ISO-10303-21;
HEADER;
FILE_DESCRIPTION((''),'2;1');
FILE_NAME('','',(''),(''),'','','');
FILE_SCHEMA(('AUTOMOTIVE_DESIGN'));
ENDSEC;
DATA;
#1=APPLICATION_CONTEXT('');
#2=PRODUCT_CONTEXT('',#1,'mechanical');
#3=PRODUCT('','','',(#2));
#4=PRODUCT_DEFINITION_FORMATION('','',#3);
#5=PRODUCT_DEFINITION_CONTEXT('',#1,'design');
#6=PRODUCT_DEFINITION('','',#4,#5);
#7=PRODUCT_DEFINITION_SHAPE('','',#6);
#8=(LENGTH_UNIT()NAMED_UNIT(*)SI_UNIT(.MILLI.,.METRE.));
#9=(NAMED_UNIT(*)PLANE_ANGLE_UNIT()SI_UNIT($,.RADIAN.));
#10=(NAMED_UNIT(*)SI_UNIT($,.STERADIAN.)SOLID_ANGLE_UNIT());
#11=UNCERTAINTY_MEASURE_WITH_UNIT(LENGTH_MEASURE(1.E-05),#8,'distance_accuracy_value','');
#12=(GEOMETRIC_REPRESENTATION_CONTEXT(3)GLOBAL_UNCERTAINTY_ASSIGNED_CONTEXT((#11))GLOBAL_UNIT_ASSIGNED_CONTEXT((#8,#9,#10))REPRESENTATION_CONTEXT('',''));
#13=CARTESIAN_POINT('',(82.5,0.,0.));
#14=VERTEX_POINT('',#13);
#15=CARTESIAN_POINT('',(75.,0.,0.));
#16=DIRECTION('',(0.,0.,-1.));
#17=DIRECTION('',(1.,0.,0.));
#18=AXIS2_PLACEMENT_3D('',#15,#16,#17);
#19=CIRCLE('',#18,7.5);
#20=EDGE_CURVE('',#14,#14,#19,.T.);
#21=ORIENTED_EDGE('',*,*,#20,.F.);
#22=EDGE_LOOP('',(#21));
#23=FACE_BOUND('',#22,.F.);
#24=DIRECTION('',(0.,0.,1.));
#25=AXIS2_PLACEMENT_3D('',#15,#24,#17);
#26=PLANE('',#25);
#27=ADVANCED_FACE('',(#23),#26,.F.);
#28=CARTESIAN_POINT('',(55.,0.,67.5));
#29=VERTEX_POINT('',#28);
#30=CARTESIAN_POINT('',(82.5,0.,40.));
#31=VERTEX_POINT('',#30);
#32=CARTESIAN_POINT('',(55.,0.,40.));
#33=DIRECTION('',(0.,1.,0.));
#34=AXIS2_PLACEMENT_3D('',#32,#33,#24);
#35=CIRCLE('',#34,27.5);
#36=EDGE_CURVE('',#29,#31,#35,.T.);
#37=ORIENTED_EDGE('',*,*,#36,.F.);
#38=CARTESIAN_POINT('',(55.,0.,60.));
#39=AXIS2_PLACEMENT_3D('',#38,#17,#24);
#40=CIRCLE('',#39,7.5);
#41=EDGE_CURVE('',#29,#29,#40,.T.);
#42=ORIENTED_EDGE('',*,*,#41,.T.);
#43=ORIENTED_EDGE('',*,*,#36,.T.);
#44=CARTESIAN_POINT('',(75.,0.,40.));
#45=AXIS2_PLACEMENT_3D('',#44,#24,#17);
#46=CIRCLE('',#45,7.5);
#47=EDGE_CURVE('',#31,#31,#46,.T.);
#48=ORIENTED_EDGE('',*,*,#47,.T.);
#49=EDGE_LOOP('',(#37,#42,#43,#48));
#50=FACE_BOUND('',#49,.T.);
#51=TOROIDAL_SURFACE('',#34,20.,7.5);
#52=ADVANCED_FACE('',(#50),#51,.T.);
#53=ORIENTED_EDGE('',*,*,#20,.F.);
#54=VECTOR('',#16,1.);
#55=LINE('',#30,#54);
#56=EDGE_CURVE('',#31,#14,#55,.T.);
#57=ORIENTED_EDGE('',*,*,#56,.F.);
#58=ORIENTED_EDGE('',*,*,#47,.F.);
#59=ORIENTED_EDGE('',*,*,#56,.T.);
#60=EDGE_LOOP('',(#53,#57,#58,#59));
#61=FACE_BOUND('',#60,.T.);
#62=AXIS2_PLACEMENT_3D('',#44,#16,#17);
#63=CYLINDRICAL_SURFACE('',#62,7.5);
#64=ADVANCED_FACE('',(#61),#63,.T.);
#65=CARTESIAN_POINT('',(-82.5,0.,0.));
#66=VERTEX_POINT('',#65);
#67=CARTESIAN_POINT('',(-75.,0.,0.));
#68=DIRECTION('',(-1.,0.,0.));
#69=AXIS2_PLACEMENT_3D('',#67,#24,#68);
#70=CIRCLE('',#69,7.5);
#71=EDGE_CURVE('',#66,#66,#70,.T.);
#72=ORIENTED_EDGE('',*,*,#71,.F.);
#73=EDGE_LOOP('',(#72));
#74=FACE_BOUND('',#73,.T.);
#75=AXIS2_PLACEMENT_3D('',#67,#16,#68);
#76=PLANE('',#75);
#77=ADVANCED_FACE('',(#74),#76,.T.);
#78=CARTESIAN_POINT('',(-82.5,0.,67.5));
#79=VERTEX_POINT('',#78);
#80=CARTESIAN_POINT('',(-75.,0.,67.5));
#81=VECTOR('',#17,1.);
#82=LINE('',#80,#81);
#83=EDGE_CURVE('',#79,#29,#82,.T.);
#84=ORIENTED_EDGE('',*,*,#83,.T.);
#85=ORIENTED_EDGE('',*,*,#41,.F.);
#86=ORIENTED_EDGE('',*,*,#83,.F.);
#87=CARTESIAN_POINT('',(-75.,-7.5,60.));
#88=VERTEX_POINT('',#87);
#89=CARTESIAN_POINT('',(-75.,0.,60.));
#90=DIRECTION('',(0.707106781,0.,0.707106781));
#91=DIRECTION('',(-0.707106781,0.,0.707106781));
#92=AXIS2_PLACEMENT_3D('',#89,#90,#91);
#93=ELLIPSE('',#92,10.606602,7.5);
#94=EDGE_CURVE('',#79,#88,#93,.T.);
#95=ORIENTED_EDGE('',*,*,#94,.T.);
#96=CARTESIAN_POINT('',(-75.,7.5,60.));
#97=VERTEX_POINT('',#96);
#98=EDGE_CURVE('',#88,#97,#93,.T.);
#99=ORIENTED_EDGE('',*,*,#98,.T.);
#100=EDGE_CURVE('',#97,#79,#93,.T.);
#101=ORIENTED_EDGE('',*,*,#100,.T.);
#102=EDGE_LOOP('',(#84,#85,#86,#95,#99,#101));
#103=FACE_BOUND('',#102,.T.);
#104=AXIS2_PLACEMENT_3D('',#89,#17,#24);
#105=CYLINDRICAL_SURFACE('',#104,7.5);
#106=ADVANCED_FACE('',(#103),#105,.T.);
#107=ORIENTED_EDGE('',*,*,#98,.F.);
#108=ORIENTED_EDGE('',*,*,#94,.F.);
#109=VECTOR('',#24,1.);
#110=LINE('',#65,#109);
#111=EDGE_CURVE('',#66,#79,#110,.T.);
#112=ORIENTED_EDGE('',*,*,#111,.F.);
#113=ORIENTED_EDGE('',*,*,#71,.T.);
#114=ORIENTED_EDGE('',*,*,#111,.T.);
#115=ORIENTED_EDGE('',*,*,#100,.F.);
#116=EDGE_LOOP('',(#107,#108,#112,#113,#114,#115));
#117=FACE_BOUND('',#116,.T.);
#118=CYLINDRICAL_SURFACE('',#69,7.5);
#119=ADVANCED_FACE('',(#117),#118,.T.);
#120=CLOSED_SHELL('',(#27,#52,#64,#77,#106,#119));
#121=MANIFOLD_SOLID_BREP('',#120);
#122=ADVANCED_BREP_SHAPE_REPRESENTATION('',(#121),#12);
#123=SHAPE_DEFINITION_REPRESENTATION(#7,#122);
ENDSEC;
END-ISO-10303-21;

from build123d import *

# Parameters (mm, degrees)
F1_R = 7.5


with BuildPart() as f2:
    # F2: sweep along a path in F0
    with BuildLine(Plane.XZ) as f2_path:
        Line((-75, 0), (-75, 60))
        Line((-75, 60), (55, 60))
        ThreePointArc((55, 60), (69.1421356237, 54.1421356237), (75, 40))
        Line((75, 40), (75, 0))
    # F1 (on Top) → F2 (sweep)
    with BuildSketch(Plane.XY):
        with Locations((75, 0)):
            Circle(F1_R)
    sweep(path=f2_path.line, transition=Transition.RIGHT)


solid = f2.part
